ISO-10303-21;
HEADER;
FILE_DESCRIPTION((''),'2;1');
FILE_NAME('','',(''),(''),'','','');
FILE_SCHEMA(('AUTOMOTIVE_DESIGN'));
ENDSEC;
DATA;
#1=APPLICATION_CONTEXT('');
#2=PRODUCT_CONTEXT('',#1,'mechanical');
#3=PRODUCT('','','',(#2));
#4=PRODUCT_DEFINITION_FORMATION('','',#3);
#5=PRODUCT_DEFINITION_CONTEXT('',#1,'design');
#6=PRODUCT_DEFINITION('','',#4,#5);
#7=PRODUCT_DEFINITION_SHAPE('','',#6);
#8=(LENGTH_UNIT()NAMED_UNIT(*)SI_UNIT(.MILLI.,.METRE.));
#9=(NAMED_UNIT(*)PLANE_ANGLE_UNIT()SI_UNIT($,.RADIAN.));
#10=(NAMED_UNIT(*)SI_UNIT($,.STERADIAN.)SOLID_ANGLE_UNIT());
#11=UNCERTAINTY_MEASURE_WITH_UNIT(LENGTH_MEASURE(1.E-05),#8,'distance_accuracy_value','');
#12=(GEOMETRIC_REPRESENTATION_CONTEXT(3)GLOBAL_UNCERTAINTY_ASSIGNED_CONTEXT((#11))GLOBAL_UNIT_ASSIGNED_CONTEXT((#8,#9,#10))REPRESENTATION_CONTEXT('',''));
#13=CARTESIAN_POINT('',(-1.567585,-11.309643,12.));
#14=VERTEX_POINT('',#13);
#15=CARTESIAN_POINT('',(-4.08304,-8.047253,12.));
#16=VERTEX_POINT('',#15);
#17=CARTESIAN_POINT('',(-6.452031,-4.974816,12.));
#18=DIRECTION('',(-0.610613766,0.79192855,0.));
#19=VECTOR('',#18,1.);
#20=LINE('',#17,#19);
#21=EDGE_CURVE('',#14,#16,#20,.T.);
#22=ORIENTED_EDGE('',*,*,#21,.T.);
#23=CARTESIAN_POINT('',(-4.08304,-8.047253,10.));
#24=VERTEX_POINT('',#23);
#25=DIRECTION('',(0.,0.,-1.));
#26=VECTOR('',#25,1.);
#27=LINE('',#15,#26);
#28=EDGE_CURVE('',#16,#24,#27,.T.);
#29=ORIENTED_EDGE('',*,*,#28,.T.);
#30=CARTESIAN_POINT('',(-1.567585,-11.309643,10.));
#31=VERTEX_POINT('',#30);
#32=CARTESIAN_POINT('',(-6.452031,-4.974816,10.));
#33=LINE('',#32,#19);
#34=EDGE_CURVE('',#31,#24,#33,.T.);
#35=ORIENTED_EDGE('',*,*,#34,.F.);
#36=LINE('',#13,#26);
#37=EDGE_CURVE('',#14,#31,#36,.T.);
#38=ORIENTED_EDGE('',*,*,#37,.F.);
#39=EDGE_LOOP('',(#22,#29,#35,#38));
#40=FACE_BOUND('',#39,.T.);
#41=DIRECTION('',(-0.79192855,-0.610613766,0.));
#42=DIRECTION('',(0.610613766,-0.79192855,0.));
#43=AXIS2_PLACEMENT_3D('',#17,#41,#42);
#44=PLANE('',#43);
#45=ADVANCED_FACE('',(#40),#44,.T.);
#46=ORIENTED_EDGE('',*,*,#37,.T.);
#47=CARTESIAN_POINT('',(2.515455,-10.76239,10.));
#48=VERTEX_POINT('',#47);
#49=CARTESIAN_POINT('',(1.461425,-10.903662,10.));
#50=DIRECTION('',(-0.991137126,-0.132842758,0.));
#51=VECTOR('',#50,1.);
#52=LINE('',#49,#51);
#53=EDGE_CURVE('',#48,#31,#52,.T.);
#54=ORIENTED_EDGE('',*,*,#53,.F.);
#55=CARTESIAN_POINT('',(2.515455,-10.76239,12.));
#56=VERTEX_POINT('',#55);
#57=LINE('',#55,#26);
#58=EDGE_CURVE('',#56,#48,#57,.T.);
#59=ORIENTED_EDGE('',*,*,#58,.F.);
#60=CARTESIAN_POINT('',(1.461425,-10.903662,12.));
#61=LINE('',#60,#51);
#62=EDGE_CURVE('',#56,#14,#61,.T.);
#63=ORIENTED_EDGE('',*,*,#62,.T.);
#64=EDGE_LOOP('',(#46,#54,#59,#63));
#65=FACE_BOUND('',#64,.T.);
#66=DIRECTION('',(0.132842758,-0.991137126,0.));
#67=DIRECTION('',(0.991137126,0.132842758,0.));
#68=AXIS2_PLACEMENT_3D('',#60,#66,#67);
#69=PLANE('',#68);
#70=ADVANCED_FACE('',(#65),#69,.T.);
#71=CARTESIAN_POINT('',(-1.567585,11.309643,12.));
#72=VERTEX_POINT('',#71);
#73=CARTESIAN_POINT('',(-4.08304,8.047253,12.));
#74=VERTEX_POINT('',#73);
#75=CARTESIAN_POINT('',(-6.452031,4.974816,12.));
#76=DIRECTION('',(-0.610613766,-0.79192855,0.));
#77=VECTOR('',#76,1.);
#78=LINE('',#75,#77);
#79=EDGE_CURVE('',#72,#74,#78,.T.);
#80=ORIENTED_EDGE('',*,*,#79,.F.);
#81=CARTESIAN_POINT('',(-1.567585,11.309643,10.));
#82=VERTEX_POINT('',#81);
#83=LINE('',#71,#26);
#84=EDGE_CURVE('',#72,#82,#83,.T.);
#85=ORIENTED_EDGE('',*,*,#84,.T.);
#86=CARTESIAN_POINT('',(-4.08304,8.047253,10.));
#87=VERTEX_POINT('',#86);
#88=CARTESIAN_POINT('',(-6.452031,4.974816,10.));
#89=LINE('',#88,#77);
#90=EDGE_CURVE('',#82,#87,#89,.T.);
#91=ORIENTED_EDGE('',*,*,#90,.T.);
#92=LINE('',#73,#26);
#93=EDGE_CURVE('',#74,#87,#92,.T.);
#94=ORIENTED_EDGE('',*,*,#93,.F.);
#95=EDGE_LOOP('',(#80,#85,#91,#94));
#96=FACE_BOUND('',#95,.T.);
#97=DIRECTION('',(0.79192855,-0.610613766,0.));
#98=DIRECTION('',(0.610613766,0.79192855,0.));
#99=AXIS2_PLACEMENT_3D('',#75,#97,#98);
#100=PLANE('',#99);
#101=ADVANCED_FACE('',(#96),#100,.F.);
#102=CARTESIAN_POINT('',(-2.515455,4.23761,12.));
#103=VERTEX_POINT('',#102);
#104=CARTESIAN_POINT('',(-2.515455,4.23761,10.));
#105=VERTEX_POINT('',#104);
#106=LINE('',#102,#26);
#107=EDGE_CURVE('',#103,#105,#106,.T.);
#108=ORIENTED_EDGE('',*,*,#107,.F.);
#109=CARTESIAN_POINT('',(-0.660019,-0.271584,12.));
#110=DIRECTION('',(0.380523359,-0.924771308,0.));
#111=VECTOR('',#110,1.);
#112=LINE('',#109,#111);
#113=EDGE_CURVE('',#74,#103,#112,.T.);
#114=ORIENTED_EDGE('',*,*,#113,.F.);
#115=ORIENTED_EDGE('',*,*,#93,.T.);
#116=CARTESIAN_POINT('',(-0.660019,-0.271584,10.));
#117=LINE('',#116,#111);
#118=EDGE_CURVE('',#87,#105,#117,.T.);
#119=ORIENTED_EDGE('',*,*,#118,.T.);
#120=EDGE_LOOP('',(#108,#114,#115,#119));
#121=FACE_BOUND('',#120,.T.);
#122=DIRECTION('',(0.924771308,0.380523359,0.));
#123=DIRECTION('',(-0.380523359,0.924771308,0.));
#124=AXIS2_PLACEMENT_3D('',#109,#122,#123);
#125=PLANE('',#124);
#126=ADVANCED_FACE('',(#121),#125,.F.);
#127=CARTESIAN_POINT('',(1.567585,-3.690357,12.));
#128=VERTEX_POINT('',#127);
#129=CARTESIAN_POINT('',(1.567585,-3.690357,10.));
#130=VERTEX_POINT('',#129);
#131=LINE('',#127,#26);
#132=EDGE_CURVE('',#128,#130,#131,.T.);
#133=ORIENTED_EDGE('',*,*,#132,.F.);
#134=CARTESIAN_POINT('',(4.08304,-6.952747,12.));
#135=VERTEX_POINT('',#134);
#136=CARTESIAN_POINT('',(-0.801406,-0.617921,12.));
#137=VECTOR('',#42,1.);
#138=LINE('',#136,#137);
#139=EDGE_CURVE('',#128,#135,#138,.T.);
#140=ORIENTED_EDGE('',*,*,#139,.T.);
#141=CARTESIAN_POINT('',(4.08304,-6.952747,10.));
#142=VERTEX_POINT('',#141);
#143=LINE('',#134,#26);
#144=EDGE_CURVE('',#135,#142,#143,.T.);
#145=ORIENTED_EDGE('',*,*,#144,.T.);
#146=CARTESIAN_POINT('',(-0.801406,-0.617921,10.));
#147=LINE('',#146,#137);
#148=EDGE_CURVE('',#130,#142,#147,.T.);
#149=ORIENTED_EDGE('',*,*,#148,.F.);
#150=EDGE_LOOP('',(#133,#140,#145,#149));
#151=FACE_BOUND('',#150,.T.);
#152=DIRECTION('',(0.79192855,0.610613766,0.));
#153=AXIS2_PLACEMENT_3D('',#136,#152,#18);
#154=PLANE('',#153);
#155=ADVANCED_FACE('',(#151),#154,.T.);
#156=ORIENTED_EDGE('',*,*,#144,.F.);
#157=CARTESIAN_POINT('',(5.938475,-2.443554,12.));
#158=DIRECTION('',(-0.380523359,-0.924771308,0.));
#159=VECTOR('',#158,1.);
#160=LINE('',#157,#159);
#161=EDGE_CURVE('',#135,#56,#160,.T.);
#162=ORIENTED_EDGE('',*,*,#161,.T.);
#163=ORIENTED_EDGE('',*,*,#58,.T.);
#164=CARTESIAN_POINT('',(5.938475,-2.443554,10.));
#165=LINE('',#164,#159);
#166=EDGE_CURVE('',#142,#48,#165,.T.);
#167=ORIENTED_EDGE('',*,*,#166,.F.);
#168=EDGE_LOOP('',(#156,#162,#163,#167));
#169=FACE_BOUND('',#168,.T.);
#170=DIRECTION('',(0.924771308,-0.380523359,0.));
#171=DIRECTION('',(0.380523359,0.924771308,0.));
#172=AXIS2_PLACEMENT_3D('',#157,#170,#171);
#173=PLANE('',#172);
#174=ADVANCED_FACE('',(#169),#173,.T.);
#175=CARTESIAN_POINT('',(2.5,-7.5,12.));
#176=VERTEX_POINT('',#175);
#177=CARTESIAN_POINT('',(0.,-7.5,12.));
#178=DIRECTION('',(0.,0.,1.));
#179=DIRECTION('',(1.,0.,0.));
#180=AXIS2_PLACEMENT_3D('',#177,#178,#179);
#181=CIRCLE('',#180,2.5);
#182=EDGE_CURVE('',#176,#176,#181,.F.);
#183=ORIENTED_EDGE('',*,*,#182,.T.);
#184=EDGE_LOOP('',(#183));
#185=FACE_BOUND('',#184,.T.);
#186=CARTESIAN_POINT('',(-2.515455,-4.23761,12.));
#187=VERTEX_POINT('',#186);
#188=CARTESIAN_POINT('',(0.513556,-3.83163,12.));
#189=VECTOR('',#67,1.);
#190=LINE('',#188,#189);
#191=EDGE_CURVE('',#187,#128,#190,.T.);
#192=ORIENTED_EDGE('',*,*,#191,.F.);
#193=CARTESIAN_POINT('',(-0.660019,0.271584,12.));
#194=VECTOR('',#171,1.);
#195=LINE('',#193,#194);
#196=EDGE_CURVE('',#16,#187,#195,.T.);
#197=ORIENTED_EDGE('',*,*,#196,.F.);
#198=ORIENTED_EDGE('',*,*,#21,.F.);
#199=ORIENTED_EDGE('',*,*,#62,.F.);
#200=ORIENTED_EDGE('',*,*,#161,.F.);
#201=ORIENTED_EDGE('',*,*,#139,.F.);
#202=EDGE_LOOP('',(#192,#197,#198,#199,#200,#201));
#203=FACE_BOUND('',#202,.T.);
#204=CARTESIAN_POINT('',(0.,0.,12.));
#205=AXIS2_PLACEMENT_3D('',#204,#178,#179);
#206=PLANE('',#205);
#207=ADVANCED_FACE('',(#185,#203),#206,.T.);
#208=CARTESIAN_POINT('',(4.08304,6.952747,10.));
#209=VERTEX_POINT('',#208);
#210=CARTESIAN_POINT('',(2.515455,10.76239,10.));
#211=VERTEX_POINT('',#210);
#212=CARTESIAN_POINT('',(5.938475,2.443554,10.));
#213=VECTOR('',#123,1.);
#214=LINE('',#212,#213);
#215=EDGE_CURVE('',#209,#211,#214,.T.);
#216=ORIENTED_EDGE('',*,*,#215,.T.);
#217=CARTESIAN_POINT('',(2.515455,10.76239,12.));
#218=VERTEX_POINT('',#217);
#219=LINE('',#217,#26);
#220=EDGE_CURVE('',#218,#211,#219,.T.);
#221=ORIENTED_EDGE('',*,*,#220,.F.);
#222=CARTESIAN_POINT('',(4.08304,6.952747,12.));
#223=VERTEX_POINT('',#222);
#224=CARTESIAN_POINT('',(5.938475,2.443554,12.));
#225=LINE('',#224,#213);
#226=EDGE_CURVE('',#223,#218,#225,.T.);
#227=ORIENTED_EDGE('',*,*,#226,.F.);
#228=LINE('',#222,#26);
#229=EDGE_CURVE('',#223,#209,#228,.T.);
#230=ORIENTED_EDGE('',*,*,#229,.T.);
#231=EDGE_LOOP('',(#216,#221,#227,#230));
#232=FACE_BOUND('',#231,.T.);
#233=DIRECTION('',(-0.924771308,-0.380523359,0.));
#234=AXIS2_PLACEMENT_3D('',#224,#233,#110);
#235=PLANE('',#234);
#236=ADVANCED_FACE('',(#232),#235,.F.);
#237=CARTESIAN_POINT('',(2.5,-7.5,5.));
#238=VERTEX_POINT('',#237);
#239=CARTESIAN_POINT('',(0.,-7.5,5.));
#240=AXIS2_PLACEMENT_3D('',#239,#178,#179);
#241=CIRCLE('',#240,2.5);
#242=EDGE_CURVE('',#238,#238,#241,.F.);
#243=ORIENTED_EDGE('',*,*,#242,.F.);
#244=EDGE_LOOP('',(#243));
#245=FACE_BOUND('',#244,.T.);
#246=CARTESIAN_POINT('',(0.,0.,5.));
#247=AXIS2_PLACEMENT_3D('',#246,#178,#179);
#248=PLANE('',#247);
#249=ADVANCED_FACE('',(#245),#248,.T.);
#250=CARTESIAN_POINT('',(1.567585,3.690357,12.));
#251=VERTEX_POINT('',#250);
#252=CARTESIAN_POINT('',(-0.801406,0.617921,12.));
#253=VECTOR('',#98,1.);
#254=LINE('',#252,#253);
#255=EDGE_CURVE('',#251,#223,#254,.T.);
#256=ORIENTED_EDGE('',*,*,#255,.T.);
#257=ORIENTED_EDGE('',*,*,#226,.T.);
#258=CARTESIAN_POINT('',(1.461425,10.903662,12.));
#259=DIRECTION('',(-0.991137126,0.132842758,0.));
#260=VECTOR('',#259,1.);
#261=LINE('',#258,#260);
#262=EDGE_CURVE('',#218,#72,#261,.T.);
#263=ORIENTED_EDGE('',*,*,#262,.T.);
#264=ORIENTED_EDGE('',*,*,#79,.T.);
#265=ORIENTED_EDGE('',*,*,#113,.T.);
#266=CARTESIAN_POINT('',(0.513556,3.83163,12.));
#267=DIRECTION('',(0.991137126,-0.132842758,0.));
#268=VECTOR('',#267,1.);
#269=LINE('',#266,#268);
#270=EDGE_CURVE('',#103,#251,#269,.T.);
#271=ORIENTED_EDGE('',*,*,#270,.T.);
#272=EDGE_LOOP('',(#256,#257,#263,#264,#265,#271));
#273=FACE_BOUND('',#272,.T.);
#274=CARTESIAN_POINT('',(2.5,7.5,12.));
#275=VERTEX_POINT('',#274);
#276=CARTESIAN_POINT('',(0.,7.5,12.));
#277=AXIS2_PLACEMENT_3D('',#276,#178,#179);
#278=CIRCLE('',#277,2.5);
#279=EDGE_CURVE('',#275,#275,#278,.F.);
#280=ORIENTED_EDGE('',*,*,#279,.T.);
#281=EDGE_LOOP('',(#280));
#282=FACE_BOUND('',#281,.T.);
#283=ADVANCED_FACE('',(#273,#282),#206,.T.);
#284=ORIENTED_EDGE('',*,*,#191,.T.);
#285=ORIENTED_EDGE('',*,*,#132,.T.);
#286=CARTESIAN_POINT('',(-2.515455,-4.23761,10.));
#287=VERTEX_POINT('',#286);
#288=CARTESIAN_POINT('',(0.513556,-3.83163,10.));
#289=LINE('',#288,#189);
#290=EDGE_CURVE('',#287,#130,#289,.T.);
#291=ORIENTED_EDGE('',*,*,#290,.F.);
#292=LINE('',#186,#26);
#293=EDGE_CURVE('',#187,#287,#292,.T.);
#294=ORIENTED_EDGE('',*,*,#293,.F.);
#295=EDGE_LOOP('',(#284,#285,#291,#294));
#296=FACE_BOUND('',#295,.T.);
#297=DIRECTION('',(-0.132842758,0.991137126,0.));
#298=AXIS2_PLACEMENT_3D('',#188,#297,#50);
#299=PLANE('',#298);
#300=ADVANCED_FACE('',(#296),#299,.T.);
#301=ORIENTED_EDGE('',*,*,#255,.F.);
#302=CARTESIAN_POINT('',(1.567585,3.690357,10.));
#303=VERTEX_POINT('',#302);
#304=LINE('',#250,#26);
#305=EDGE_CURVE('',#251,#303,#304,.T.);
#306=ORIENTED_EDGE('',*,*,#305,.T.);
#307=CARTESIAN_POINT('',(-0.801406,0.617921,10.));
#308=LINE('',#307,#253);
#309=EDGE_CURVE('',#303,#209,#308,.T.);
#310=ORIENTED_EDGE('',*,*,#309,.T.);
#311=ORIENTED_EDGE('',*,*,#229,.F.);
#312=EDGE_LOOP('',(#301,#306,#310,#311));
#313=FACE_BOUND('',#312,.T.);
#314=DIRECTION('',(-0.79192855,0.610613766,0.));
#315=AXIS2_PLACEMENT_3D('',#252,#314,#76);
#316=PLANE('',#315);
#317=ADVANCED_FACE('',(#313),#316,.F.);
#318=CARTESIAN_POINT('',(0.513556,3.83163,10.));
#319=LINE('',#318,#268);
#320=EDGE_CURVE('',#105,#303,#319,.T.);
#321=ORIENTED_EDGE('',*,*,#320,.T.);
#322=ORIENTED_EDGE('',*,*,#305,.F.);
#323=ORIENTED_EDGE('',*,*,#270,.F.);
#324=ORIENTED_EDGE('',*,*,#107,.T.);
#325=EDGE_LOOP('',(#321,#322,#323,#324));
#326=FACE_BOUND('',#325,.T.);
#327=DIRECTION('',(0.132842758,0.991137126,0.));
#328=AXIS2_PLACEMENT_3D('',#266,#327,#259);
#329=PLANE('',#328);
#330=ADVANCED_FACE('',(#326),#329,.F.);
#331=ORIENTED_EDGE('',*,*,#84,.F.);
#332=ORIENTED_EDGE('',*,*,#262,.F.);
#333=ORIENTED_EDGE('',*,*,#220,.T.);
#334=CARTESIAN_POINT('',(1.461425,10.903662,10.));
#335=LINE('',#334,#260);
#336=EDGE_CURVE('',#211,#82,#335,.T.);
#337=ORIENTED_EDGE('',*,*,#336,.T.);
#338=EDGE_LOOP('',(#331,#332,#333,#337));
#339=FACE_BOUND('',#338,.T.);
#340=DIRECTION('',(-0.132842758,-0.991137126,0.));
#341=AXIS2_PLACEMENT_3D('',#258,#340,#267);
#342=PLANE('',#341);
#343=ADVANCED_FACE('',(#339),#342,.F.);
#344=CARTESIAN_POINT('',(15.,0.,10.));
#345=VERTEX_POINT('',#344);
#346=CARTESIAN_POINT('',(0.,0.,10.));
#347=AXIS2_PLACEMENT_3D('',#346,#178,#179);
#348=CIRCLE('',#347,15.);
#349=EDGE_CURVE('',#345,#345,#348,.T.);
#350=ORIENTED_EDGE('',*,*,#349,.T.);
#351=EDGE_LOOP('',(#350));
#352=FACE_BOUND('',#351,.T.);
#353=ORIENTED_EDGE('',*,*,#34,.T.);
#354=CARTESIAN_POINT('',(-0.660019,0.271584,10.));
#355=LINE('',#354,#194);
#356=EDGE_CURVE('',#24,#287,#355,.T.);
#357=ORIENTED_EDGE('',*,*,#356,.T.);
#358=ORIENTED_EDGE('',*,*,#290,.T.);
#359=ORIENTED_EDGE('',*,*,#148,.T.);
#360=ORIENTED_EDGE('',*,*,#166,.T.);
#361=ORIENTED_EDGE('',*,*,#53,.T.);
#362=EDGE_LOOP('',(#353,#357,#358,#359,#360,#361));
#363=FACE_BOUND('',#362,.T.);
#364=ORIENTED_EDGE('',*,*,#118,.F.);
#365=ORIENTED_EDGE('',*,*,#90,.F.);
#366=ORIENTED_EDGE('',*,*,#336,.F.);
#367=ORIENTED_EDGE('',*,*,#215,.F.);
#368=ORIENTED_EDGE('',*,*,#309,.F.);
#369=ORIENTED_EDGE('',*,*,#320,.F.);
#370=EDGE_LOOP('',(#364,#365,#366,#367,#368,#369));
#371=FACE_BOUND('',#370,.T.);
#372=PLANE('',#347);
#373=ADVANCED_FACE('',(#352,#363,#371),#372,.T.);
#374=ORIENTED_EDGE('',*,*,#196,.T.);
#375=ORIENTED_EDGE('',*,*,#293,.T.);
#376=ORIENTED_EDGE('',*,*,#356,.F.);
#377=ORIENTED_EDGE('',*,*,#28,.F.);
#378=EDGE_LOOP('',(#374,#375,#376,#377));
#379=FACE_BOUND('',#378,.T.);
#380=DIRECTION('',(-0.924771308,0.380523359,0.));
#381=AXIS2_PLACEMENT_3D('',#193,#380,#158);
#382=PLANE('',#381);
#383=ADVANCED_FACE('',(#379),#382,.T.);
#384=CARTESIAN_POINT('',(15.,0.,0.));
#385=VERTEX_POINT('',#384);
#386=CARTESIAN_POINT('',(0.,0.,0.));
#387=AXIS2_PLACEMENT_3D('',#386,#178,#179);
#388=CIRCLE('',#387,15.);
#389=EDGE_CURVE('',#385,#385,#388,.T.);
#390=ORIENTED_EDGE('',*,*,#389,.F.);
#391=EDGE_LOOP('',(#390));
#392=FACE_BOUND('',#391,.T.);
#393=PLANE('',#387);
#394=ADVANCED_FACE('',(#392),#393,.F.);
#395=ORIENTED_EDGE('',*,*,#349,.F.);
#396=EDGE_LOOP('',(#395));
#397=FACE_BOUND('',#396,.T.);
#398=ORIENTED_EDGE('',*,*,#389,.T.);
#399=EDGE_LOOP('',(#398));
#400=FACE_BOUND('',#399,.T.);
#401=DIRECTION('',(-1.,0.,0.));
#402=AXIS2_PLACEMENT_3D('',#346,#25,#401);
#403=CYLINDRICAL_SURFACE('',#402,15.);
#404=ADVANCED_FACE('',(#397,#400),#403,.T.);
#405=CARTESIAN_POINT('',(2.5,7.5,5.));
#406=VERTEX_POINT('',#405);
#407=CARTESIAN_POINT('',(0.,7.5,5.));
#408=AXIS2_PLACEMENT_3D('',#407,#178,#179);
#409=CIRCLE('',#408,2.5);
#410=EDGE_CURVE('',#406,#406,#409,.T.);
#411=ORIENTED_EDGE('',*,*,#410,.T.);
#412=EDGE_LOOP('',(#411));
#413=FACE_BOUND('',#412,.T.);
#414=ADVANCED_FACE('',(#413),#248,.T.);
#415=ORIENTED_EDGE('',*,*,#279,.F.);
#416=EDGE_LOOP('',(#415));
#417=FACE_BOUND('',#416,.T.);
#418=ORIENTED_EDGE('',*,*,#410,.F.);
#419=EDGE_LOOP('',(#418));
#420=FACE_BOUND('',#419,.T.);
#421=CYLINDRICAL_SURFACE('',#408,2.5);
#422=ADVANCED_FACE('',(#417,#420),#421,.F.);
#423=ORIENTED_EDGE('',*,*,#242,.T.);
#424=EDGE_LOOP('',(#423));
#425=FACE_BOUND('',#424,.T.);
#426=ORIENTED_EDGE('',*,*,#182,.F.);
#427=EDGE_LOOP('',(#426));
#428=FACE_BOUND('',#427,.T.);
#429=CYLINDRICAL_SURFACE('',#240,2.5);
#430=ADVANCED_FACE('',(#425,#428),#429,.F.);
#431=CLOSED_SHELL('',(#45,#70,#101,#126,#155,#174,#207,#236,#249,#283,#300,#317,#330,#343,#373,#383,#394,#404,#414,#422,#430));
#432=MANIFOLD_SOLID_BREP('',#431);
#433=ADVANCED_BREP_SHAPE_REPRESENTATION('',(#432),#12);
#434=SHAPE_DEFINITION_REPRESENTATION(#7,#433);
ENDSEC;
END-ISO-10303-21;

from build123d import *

# Parameters (mm, degrees)
IZIM1_R                     = 15
Y_KSEKLIK_EKSTR_ZYON1_DEPTH = 10
IZIM2_R                     = 2.5
KES_EKSTR_ZYON1_DEPTH       = 5
Y_KSEKLIK_EKSTR_ZYON3_START = 2
IZIM3_R                     = 2.5
Y_KSEKLIK_EKSTR_ZYON3_DEPTH = 2


with BuildPart() as part:
    # Çizim1 → Yükseklik-Ekstrüzyon1 (new body)
    with BuildSketch(Plane.XY):
        Circle(IZIM1_R)
    extrude(amount=Y_KSEKLIK_EKSTR_ZYON1_DEPTH)

    # Çizim2 → Kes-Ekstrüzyon1 (cut)
    with BuildSketch(Plane.XY.offset(10)):
        with Locations((0, 7.5)):
            Circle(IZIM2_R)
        with Locations((0, -7.5)):
            Circle(IZIM2_R)
    extrude(amount=-KES_EKSTR_ZYON1_DEPTH, mode=Mode.SUBTRACT)

    # Çizim3 → Yükseklik-Ekstrüzyon3 (add)
    # profile 1 of 2: a face of its own
    with BuildSketch(Plane.XY.offset(10).offset(Y_KSEKLIK_EKSTR_ZYON3_START)):
        Polygon((-4.083040029, 8.04725253), (-2.515454607, 4.237609875), (1.567585421, 3.690357346), (4.083040029, 6.95274747), (2.515454607, 10.762390125), (-1.567585421, 11.309642654), align=None)
        with Locations((0, 7.5)):
            Circle(IZIM3_R, mode=Mode.SUBTRACT)
    # profile 2 of 2: a face of its own
    with BuildSketch(Plane.XY.offset(10).offset(Y_KSEKLIK_EKSTR_ZYON3_START)):
        Polygon((1.567585421, -3.690357346), (4.083040029, -6.95274747), (2.515454607, -10.762390125), (-1.567585421, -11.309642654), (-4.083040029, -8.04725253), (-2.515454607, -4.237609875), align=None)
        with Locations((0, -7.5)):
            Circle(IZIM3_R, mode=Mode.SUBTRACT)
    extrude(amount=-Y_KSEKLIK_EKSTR_ZYON3_DEPTH)


solid = part.part
